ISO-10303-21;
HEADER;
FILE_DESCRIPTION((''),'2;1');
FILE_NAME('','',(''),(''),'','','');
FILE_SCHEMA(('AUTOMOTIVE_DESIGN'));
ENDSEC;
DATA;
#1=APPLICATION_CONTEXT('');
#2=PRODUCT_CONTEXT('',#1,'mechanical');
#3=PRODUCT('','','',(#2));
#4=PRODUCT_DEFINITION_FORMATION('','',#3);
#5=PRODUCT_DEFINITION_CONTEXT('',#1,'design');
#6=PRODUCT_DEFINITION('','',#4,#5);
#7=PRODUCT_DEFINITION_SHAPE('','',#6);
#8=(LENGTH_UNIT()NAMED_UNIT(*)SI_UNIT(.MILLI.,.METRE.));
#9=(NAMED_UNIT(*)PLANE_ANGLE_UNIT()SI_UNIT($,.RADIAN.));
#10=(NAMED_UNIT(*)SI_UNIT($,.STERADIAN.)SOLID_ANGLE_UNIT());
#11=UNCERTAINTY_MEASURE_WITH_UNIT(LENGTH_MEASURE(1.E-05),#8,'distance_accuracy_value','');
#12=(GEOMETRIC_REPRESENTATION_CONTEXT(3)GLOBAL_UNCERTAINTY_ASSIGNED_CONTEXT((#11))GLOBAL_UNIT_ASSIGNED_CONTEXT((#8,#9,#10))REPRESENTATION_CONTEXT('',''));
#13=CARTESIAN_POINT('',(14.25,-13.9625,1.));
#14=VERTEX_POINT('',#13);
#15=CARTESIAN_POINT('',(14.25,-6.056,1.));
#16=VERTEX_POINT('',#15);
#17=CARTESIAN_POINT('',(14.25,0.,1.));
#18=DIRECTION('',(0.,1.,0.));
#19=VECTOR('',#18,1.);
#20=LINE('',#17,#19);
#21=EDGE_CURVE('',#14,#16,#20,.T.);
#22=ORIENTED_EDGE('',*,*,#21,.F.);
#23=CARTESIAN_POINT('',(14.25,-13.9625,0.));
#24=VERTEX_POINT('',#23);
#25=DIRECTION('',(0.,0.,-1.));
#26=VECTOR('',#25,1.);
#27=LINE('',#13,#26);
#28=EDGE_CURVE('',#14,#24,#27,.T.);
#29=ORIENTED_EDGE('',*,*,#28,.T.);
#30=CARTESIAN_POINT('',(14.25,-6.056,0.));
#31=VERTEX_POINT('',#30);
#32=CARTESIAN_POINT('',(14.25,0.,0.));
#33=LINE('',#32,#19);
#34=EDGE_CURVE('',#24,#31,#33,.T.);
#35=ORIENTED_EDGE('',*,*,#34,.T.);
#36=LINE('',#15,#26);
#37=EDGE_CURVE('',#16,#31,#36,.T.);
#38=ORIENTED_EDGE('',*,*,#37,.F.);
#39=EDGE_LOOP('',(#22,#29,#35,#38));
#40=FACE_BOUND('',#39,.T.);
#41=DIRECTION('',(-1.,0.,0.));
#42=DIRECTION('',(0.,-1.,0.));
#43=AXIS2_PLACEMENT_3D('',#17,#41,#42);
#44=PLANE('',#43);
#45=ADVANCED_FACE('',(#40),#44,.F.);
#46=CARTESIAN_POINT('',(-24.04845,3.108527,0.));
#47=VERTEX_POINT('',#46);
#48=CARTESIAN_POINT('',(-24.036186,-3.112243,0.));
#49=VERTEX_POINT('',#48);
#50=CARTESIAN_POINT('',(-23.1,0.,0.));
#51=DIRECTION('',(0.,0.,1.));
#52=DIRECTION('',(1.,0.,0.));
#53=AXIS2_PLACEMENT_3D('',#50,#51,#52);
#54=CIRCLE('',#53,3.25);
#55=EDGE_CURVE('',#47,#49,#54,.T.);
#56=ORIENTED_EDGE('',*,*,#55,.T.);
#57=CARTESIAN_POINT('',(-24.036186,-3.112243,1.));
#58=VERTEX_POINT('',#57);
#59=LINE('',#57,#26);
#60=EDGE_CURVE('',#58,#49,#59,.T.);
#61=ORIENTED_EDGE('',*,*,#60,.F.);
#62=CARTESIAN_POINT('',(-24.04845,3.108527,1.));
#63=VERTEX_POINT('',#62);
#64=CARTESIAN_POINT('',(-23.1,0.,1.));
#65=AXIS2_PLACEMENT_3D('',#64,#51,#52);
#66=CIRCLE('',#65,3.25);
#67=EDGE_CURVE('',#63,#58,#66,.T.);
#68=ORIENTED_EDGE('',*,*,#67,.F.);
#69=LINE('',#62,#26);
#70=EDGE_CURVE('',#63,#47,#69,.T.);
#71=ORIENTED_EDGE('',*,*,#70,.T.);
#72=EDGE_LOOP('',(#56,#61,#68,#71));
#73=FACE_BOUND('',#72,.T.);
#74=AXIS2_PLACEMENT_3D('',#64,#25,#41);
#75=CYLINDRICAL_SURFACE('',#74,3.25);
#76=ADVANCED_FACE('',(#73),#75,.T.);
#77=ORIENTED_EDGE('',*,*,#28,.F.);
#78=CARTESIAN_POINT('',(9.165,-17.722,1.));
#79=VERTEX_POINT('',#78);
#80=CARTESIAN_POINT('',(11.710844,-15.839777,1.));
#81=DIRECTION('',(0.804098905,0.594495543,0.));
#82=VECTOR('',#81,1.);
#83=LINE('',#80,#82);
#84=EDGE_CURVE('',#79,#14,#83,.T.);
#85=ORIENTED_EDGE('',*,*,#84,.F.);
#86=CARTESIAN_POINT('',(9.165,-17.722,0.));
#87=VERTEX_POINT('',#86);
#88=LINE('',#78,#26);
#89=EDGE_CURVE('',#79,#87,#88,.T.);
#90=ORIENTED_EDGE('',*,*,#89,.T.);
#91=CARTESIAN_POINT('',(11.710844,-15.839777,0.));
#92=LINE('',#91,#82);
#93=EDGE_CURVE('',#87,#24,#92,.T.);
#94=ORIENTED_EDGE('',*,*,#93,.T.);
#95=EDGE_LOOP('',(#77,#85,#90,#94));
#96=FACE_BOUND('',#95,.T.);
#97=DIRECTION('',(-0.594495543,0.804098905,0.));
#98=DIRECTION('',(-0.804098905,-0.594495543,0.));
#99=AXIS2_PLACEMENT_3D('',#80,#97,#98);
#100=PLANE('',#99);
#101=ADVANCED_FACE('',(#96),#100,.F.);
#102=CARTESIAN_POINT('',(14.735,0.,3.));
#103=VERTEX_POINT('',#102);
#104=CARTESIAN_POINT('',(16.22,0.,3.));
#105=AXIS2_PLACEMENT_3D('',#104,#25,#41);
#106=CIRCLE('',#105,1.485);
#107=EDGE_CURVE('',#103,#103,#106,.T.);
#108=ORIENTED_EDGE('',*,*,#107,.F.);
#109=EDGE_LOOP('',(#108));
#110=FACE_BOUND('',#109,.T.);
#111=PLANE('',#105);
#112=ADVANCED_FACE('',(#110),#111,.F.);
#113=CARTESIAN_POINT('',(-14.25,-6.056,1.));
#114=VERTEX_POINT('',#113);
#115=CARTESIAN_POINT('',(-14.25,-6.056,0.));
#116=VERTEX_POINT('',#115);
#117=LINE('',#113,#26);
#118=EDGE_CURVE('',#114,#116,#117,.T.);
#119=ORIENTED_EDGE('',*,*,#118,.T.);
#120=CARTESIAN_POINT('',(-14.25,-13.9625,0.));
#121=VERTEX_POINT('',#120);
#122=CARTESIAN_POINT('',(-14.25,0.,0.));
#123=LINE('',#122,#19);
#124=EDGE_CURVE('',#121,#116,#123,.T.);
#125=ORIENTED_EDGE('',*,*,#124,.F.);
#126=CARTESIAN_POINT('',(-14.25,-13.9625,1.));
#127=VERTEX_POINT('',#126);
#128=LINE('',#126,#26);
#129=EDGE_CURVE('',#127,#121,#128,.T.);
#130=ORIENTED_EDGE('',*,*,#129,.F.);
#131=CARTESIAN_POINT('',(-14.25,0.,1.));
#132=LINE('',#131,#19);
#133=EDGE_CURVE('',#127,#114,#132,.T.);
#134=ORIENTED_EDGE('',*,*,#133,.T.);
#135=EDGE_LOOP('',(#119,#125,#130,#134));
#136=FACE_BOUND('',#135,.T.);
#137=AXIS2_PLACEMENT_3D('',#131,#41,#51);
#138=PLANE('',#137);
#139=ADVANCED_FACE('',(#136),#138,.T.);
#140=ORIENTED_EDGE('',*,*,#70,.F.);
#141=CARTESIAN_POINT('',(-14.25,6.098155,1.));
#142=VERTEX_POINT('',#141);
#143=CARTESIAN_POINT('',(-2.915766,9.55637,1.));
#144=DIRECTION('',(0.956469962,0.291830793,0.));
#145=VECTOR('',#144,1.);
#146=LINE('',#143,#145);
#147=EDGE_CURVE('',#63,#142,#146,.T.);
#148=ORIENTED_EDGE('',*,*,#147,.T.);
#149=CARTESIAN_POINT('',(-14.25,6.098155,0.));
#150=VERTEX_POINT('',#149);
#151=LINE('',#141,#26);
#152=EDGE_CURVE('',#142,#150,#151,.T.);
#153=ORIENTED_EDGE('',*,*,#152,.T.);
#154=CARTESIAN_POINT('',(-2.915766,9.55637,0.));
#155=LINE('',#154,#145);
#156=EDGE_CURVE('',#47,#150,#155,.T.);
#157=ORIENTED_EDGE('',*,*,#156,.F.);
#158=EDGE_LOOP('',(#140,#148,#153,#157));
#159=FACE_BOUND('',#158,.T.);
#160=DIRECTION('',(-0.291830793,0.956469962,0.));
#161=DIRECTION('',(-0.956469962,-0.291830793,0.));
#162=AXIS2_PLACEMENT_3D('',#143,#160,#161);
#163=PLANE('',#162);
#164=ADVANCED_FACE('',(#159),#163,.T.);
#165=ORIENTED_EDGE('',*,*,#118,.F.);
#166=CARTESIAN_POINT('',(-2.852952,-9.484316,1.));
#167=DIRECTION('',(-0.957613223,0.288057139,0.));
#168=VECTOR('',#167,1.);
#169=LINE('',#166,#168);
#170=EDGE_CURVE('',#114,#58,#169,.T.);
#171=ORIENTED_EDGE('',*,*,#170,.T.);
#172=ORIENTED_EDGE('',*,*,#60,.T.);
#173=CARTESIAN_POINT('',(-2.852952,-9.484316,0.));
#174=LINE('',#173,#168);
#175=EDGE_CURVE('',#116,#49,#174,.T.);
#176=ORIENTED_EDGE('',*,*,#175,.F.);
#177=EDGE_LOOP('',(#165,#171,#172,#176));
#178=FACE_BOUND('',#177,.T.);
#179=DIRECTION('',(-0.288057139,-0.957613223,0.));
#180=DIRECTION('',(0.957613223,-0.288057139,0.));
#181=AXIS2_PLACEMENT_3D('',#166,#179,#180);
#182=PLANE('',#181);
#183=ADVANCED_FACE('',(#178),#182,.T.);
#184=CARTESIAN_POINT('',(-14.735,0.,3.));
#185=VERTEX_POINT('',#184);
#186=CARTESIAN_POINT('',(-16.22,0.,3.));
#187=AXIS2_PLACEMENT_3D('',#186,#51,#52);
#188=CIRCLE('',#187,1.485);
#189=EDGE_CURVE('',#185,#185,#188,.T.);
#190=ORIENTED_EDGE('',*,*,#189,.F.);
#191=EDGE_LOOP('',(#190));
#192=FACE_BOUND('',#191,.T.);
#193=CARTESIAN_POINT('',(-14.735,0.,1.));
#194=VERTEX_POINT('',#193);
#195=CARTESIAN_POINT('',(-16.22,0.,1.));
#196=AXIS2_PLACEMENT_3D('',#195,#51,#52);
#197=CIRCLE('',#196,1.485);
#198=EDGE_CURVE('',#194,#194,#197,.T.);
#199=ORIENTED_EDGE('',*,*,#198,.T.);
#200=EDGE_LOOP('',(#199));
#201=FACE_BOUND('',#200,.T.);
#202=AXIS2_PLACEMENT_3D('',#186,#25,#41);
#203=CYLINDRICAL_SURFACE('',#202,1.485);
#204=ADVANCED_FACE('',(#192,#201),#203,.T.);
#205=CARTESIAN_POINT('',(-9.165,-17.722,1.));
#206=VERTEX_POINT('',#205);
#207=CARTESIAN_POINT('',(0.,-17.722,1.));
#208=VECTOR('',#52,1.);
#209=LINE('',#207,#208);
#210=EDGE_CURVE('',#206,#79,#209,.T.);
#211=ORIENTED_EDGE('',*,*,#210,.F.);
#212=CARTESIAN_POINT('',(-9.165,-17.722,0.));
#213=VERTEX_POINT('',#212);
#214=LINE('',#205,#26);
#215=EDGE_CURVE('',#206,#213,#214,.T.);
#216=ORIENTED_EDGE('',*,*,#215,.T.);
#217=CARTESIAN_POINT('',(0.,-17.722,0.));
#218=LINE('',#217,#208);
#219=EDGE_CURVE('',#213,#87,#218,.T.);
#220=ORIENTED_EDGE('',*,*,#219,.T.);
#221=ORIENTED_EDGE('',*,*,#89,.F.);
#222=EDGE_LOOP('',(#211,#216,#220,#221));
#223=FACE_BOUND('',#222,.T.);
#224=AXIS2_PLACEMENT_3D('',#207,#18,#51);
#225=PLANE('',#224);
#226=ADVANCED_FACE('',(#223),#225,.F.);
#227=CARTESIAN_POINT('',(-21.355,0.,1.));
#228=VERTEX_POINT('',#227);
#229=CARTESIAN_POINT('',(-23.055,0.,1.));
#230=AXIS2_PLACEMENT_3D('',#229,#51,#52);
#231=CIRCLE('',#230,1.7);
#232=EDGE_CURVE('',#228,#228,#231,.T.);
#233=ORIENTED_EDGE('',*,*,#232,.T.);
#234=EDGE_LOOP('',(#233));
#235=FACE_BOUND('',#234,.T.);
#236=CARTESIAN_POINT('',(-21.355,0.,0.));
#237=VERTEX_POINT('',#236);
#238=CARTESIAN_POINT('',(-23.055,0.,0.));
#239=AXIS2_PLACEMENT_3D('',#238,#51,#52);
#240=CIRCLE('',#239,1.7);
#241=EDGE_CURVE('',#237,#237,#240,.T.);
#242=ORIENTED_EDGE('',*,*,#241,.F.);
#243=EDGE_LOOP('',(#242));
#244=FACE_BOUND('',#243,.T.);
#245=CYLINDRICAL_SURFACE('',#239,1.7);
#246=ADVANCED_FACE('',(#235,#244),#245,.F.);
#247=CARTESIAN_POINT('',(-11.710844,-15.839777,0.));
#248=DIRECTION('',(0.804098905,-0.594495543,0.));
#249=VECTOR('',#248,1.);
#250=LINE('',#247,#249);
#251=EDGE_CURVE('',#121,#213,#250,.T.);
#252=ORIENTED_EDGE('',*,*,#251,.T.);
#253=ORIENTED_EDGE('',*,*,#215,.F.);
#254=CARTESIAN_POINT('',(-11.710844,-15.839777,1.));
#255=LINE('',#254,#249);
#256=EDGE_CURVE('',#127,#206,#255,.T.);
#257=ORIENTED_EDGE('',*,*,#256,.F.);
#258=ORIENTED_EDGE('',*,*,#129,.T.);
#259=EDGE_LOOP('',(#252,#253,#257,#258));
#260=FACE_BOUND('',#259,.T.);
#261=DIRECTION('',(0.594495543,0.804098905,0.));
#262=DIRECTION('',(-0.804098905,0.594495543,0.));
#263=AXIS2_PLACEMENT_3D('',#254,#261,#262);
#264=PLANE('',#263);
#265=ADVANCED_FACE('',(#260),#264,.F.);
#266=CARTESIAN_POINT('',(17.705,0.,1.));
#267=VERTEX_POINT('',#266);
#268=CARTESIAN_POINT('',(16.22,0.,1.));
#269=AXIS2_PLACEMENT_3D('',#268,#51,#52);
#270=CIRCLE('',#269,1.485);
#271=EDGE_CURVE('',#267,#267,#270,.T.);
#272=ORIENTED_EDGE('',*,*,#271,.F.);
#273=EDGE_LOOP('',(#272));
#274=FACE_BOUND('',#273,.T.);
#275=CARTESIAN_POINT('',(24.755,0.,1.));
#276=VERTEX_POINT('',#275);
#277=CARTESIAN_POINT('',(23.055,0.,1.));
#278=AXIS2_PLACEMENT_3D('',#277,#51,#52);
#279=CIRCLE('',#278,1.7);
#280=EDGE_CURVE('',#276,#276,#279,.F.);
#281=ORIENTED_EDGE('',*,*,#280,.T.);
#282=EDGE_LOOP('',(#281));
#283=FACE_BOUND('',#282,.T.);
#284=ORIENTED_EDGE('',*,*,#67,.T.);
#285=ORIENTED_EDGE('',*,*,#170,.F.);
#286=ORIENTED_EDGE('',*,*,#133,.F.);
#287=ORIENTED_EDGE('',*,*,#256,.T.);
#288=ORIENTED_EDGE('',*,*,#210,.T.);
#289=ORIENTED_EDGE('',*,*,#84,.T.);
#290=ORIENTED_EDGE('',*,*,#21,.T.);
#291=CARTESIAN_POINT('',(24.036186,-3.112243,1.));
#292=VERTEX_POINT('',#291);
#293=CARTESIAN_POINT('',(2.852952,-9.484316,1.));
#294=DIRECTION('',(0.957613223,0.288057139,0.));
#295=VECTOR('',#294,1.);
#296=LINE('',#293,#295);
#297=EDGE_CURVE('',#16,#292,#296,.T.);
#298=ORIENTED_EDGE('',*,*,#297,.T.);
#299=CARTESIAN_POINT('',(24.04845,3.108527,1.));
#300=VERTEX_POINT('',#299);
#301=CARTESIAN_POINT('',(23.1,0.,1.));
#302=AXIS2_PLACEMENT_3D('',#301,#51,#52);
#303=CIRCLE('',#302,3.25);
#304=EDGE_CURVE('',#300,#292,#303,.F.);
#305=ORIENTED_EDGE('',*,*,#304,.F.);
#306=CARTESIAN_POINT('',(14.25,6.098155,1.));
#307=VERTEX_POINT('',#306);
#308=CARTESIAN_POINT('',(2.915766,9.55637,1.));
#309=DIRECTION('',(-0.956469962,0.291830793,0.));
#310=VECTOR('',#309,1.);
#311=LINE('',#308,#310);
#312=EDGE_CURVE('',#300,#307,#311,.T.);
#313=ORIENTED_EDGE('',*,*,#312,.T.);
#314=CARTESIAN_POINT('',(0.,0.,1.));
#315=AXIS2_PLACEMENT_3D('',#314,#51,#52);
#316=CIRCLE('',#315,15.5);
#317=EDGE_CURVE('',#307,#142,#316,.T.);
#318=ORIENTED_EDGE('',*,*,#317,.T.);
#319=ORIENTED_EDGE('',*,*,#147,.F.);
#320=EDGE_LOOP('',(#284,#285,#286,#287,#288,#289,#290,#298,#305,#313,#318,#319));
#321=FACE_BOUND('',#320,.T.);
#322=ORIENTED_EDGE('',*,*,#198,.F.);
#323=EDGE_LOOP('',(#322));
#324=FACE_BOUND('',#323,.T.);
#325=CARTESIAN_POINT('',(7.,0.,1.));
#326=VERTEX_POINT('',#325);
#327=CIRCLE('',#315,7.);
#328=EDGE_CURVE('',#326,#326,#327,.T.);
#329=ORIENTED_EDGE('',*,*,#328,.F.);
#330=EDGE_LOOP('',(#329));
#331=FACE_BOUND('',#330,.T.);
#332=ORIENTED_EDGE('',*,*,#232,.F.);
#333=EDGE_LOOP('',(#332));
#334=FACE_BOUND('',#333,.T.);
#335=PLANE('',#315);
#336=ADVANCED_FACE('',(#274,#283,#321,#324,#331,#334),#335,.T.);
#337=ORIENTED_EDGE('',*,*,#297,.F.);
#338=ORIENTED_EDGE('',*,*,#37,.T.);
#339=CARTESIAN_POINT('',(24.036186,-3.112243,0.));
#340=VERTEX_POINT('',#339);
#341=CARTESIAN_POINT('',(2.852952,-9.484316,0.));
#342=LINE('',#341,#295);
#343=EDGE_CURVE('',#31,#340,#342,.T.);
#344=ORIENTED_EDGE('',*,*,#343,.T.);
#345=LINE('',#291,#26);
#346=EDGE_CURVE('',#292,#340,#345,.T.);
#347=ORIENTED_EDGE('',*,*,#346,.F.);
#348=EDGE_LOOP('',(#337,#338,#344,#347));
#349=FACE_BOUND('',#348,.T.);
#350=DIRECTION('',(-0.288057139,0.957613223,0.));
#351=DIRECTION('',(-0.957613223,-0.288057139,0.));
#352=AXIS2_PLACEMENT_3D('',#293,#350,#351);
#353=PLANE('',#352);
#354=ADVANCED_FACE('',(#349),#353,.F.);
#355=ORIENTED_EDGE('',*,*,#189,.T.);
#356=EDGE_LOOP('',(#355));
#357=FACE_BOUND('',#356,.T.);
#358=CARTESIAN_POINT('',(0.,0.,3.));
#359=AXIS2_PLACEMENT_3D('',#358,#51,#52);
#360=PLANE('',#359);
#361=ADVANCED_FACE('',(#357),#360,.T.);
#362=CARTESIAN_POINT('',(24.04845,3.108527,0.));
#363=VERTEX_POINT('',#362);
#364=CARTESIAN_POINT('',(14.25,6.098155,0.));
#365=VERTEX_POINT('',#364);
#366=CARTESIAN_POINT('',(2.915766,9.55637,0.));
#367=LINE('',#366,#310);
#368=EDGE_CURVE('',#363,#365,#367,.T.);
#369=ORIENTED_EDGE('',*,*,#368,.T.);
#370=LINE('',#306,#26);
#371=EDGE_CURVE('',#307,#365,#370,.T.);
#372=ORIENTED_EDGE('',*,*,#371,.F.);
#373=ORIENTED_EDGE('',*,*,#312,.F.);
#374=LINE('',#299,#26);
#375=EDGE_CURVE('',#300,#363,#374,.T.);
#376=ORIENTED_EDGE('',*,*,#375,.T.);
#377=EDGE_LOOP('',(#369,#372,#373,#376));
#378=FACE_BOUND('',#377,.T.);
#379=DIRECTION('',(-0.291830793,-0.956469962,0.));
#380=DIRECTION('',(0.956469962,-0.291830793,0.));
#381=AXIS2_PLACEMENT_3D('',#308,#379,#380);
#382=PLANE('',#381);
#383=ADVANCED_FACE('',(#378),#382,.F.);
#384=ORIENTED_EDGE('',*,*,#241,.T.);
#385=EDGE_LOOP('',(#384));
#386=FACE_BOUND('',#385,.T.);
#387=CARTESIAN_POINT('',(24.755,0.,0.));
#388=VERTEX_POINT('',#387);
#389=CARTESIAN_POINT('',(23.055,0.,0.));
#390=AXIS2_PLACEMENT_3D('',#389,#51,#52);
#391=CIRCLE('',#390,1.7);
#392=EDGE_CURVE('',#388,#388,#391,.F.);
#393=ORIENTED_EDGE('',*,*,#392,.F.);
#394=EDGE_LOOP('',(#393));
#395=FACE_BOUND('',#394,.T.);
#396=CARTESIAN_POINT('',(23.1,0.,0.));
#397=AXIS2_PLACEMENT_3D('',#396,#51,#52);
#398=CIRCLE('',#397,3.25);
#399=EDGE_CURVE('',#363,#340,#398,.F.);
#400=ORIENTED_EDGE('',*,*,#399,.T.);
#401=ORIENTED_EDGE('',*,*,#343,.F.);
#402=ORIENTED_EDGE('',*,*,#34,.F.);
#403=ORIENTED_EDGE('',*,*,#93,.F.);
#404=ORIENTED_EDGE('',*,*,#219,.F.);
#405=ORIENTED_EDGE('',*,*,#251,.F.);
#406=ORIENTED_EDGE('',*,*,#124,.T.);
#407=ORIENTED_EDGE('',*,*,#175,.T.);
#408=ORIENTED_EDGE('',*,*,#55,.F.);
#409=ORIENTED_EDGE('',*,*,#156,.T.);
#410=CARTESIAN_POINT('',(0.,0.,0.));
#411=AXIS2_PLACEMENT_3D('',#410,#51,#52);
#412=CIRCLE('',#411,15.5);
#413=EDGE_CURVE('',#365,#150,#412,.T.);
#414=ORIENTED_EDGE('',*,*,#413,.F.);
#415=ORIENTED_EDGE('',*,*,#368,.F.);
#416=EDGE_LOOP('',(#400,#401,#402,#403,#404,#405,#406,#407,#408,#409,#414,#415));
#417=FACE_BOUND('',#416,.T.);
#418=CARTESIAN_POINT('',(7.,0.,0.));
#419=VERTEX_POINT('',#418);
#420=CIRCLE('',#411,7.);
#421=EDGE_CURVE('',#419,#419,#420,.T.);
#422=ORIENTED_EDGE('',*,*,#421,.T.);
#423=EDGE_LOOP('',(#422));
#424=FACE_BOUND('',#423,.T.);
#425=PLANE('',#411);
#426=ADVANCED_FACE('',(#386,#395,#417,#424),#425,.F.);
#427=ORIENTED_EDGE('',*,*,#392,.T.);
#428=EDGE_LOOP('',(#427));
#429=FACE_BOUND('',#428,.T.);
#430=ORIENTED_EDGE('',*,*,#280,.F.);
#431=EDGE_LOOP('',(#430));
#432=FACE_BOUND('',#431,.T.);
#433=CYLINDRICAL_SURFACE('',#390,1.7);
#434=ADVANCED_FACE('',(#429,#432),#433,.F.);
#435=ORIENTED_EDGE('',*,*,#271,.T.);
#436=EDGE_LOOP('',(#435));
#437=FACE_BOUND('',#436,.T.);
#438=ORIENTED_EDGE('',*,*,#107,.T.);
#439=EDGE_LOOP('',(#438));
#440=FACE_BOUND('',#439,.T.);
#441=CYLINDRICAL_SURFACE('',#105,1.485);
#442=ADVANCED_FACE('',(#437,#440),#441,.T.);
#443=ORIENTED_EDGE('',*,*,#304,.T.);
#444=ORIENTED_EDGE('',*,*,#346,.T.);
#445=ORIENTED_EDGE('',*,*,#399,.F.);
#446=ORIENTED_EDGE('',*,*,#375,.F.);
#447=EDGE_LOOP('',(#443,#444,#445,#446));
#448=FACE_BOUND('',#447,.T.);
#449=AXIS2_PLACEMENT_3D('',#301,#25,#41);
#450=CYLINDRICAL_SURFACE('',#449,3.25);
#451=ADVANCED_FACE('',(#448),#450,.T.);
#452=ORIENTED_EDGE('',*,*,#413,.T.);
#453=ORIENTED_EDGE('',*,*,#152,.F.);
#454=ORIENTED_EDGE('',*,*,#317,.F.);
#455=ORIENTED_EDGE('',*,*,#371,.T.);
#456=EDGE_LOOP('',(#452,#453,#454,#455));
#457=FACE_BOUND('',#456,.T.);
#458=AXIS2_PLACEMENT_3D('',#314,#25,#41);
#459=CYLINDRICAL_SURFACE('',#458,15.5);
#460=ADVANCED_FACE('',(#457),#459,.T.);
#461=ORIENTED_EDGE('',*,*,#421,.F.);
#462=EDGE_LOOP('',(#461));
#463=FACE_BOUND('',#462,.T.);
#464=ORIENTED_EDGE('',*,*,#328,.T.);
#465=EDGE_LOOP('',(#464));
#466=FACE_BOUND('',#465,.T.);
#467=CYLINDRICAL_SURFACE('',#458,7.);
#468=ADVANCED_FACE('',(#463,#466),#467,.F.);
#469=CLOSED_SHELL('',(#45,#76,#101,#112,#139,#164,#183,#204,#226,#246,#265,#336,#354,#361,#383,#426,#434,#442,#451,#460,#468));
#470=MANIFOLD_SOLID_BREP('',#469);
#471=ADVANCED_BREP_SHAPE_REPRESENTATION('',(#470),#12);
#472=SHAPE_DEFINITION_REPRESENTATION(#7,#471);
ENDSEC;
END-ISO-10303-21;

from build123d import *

# Parameters (mm, degrees)
SKETCH1_R           = 7
BOSS_EXTRUDE1_DEPTH = 1
SKETCH2_R           = 1.485
BOSS_EXTRUDE2_DEPTH = 2
SKETCH2_5_R         = 1.7
CUT_EXTRUDE1_DEPTH  = 32.818104658


with BuildPart() as part:
    # Sketch1 → Boss-Extrude1 (new body)
    with BuildSketch(Plane.XY):
        with BuildLine():
            Line((9.165, -17.722), (14.25, -13.9625))
            Line((14.25, -13.9625), (14.25, -6.056))
            Line((14.25, -6.056), (24.036185701, -3.112242975))
            ThreePointArc((24.036185701, -3.112242975), (26.349993684, -0.006407429), (24.048450078, 3.108527376))
            Line((24.048450078, 3.108527376), (14.25, 6.098155459))
            ThreePointArc((14.25, 6.098155459), (8.536058528, 12.937762743), (0, 15.5))
            ThreePointArc((0, 15.5), (-8.536058528, 12.937762743), (-14.25, 6.098155459))
            Line((-14.25, 6.098155459), (-24.048450078, 3.108527376))
            ThreePointArc((-24.048450078, 3.108527376), (-26.349993684, -0.006407429), (-24.036185701, -3.112242975))
            Line((-24.036185701, -3.112242975), (-14.25, -6.056))
            Line((-14.25, -6.056), (-14.25, -13.9625))
            Line((-14.25, -13.9625), (-9.165, -17.722))
            Line((-9.165, -17.722), (9.165, -17.722))
        make_face()
        Circle(SKETCH1_R, mode=Mode.SUBTRACT)
    extrude(amount=BOSS_EXTRUDE1_DEPTH)

    # Sketch2 → Boss-Extrude2 (add)
    with BuildSketch(Plane.XY.offset(1)):
        with Locations((-16.22, 0)):
            Circle(SKETCH2_R)
        with Locations((16.22, 0)):
            Circle(SKETCH2_R)
    extrude(amount=BOSS_EXTRUDE2_DEPTH)

    # Sketch2<5> → Cut-Extrude1 (cut, through all)
    with BuildSketch(Plane.XY.offset(1)):
        with Locations((-23.055, 0)):
            Circle(SKETCH2_5_R)
        with Locations((23.055, 0)):
            Circle(SKETCH2_5_R)
    extrude(amount=-CUT_EXTRUDE1_DEPTH, mode=Mode.SUBTRACT)


solid = part.part
